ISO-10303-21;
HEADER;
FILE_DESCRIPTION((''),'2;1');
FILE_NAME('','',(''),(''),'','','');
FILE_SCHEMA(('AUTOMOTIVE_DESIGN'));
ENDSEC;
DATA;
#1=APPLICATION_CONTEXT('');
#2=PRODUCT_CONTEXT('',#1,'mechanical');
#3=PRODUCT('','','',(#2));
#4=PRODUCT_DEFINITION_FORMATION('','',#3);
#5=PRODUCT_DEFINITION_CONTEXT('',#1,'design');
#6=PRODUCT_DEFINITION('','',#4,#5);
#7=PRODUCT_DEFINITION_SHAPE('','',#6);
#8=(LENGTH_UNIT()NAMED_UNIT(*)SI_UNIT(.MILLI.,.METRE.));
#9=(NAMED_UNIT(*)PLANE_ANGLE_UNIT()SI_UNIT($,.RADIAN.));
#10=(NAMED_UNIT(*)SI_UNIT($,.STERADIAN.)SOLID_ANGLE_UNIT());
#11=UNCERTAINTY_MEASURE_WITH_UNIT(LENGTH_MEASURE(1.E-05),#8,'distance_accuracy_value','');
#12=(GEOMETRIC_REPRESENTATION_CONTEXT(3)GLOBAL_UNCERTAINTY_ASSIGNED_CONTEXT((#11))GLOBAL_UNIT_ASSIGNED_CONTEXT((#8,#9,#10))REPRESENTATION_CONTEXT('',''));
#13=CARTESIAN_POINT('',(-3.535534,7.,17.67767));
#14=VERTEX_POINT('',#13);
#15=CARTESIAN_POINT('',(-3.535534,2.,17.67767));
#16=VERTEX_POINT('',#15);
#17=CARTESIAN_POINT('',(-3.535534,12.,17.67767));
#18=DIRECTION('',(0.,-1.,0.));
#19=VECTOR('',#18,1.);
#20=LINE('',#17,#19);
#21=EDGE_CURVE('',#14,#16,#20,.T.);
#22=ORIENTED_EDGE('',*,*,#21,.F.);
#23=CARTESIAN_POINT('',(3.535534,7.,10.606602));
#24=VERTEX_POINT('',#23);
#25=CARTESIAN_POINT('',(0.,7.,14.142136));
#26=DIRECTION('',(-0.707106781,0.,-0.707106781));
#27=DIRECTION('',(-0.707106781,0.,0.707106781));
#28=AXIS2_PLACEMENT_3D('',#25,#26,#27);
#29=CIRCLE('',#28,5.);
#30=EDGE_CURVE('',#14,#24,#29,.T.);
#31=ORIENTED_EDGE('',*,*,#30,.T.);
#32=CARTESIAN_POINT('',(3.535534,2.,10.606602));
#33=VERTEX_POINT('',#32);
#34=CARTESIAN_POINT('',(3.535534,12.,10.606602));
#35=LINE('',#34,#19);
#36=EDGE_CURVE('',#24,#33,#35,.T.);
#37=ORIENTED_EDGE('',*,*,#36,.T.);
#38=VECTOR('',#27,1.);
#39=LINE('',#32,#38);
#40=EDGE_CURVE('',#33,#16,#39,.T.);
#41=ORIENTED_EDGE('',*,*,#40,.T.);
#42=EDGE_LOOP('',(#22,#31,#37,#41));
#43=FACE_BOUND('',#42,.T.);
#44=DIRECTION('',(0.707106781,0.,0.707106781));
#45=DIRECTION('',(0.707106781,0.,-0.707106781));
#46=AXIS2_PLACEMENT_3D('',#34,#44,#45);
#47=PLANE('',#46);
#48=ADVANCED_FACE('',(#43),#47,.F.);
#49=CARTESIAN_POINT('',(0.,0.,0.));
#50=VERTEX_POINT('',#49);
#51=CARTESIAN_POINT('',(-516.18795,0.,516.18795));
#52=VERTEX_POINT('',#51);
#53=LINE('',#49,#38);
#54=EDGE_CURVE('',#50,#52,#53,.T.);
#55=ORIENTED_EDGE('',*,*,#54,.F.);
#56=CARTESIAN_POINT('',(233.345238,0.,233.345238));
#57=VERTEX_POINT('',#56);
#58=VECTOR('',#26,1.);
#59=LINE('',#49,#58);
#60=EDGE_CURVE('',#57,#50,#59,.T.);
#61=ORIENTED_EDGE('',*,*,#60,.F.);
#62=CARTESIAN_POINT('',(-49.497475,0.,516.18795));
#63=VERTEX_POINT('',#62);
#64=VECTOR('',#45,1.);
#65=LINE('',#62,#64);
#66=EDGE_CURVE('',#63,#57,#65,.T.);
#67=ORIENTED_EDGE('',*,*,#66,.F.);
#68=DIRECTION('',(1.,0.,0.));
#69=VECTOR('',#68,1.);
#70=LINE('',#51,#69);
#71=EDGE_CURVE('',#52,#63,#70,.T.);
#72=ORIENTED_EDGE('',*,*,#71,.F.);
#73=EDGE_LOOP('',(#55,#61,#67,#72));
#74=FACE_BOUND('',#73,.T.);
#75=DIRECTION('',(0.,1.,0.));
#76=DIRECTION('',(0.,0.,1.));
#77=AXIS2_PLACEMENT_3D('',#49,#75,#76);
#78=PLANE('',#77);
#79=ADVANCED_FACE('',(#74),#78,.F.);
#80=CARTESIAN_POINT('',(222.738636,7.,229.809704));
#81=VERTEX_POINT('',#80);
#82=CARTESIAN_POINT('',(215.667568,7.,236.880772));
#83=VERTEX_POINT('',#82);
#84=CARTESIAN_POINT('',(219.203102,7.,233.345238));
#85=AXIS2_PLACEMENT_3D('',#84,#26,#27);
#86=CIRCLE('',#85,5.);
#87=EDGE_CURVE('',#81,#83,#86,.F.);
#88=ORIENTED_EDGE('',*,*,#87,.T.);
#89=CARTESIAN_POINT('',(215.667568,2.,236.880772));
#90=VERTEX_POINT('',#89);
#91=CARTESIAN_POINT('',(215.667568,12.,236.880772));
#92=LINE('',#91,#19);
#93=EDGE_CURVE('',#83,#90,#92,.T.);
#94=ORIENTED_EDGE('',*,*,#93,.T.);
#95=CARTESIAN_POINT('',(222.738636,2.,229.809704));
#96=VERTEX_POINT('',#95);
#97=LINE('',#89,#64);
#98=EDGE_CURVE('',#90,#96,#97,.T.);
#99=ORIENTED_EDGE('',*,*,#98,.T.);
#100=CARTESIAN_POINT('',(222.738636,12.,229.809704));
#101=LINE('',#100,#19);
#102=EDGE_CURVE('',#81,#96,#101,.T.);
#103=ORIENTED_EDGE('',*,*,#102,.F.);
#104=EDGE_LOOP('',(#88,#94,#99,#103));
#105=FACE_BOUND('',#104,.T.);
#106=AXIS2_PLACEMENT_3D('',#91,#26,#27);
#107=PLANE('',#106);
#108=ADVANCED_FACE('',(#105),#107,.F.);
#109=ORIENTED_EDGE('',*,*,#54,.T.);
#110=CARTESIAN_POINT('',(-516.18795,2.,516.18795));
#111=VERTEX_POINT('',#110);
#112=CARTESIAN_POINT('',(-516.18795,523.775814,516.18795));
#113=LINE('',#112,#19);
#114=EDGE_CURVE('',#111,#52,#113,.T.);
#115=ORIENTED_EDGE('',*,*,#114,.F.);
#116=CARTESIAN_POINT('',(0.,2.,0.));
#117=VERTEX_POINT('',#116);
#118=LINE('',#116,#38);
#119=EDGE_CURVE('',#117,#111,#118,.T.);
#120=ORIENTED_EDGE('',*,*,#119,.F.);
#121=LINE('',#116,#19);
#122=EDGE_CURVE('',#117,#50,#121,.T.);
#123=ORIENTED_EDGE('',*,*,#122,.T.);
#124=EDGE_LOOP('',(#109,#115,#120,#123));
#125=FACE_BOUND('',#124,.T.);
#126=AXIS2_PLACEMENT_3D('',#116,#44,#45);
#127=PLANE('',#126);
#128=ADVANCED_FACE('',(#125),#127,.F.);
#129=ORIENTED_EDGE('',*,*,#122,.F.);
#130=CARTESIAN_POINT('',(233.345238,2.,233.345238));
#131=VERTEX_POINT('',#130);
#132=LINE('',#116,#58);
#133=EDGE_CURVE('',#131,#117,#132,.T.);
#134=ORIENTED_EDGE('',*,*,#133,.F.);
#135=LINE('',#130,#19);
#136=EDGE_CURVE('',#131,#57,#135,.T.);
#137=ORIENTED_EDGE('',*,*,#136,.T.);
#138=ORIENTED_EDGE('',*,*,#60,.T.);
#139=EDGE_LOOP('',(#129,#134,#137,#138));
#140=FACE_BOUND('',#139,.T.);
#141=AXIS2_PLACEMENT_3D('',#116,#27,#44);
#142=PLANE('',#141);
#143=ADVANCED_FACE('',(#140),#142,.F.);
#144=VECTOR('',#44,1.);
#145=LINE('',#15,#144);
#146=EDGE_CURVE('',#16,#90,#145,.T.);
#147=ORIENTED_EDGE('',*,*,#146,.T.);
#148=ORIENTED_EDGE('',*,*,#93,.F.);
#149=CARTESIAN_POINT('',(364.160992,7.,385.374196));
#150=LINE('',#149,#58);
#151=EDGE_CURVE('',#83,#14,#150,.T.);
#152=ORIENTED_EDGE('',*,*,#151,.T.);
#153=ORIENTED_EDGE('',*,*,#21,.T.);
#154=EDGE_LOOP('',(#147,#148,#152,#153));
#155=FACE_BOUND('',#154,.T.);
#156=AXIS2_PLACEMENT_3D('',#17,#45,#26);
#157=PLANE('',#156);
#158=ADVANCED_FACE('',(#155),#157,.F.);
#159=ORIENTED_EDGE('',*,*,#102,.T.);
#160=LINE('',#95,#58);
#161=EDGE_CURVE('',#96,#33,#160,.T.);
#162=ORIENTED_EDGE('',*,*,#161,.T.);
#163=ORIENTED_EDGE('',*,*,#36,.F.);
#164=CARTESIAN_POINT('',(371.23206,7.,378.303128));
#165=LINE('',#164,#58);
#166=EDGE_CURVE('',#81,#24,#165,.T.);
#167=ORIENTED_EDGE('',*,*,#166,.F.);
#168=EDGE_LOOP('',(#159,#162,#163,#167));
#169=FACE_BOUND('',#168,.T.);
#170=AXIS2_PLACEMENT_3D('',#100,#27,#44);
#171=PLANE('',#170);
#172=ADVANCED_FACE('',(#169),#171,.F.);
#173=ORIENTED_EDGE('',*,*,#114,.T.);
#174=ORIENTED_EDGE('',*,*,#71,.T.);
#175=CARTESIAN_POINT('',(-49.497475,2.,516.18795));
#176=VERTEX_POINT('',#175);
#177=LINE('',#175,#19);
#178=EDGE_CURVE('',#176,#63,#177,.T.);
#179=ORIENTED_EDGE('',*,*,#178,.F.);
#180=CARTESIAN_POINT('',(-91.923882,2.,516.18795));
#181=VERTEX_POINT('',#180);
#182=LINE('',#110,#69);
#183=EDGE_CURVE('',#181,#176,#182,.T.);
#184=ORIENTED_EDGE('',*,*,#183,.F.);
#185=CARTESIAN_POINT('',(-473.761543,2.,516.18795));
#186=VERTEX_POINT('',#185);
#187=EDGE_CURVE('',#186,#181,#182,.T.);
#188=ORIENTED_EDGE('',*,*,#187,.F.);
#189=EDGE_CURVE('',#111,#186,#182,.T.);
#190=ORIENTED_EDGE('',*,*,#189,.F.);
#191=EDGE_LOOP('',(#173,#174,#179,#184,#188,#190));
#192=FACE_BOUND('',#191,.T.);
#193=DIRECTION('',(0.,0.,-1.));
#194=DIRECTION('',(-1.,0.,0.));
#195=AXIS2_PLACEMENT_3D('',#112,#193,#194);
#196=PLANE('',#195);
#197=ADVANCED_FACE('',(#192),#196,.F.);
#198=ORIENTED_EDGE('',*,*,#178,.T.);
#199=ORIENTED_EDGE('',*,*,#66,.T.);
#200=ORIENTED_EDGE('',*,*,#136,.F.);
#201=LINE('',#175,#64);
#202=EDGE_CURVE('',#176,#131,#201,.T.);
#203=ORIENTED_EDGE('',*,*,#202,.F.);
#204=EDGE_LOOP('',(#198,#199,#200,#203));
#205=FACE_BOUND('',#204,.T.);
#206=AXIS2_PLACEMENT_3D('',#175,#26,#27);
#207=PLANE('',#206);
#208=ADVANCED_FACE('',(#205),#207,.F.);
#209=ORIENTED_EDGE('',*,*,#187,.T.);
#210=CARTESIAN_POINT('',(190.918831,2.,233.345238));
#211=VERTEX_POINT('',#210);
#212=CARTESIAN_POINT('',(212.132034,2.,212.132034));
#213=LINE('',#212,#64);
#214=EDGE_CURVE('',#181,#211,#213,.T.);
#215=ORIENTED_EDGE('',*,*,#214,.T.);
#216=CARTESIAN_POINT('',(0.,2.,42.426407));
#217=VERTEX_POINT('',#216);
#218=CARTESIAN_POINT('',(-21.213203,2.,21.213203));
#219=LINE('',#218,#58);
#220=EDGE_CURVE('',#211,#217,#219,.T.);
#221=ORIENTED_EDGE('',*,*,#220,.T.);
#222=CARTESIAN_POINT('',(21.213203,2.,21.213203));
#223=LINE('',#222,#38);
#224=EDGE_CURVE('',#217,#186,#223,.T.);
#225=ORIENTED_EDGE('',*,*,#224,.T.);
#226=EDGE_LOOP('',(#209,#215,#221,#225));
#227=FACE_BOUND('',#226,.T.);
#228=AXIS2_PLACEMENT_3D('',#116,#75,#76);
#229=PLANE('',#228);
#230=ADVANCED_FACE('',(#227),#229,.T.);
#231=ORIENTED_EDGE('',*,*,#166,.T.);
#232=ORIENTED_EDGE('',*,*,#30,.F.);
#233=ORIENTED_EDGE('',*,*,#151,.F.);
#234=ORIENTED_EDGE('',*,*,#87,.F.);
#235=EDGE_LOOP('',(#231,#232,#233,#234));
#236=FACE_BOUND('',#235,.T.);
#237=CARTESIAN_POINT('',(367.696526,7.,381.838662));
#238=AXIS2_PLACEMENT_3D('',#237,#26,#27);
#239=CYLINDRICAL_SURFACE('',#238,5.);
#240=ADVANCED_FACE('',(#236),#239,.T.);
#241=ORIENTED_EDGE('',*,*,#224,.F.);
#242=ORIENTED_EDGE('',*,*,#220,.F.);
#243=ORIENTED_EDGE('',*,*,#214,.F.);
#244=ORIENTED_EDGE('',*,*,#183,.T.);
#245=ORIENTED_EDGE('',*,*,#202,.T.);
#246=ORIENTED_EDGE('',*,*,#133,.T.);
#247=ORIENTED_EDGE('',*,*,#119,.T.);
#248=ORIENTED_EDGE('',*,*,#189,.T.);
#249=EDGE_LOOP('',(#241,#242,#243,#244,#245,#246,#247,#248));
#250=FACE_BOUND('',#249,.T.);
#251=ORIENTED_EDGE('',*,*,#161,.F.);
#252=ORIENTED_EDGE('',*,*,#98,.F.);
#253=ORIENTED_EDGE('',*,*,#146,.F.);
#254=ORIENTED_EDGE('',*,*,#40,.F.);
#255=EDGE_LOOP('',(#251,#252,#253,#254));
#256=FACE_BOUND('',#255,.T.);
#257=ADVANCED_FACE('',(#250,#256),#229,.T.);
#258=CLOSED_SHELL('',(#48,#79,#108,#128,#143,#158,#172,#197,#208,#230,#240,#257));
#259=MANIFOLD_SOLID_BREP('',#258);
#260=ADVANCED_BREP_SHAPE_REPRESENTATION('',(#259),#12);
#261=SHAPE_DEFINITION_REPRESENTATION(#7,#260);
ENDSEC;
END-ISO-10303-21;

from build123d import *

# Parameters (mm, degrees)
BOSS_EXTRUDE1_DEPTH = 2
BOSS_EXTRUDE2_DEPTH = 10
CUT_EXTRUDE1_REACH  = 522
BOSS_EXTRUDE3_DEPTH = 2


with BuildPart() as part:
    # Sketch1 → Boss-Extrude1 (new body)
    with BuildSketch(Plane(origin=(0, 0, 0), x_dir=(1, 0, 0), z_dir=(0, 1, 0))):
        Polygon((-49.497474683, -516.187950266), (233.345237792, -233.345237792), (0, 0), (-282.842712475, -282.842712475), align=None)
    extrude(amount=BOSS_EXTRUDE1_DEPTH)

    # Sketch4 → Boss-Extrude2 (add)
    with BuildSketch(Plane(origin=(0, 2, 0), x_dir=(1, 0, 0), z_dir=(0, 1, 0))):
        Polygon((3.535533906, -10.606601718), (-3.535533906, -17.67766953), (215.667568262, -236.880771697), (222.738636074, -229.809703886), align=None)
    extrude(amount=BOSS_EXTRUDE2_DEPTH)

    # Sketch6 → Cut-Extrude1 (cut, up to next)
    with BuildSketch(Plane(origin=(7.071067812, 0, 7.071067812), x_dir=(-0.707106781, 0, 0.707106781), z_dir=(-0.707106781, 0, -0.707106781)), mode=Mode.PRIVATE) as cut_extrude1_sk1:
        with BuildLine():
            Line((5, 12), (5, 7))
            ThreePointArc((5, 7), (6.464466094, 10.535533906), (10, 12))
            Line((10, 12), (5, 12))
        make_face()
    cut_extrude1_tool1 = extrude(cut_extrude1_sk1.sketch, amount=-CUT_EXTRUDE1_REACH, mode=Mode.PRIVATE) & part.part
    add(cut_extrude1_tool1.solids().sort_by_distance((2.745809, 10.88316, 11.396327))[0], mode=Mode.SUBTRACT)
    # Sketch6 → Cut-Extrude1 (cut, up to next)
    with BuildSketch(Plane(origin=(7.071067812, 0, 7.071067812), x_dir=(-0.707106781, 0, 0.707106781), z_dir=(-0.707106781, 0, -0.707106781)), mode=Mode.PRIVATE) as cut_extrude1_sk2:
        with BuildLine():
            Line((15, 12), (10, 12))
            ThreePointArc((10, 12), (13.535533906, 10.535533906), (15, 7))
            Line((15, 7), (15, 12))
        make_face()
    cut_extrude1_tool2 = extrude(cut_extrude1_sk2.sketch, amount=-CUT_EXTRUDE1_REACH, mode=Mode.PRIVATE) & part.part
    add(cut_extrude1_tool2.solids().sort_by_distance((-2.745809, 10.88316, 16.887945))[0], mode=Mode.SUBTRACT)

    # Sketch10 → Boss-Extrude3 (add)
    with BuildSketch(Plane(origin=(0, 0, 0), x_dir=(1, 0, 0), z_dir=(0, 1, 0))):
        Polygon((-282.842712475, -282.842712475), (-516.187950266, -516.187950266), (-49.497474683, -516.187950266), align=None)
    extrude(amount=BOSS_EXTRUDE3_DEPTH)


solid = part.part
